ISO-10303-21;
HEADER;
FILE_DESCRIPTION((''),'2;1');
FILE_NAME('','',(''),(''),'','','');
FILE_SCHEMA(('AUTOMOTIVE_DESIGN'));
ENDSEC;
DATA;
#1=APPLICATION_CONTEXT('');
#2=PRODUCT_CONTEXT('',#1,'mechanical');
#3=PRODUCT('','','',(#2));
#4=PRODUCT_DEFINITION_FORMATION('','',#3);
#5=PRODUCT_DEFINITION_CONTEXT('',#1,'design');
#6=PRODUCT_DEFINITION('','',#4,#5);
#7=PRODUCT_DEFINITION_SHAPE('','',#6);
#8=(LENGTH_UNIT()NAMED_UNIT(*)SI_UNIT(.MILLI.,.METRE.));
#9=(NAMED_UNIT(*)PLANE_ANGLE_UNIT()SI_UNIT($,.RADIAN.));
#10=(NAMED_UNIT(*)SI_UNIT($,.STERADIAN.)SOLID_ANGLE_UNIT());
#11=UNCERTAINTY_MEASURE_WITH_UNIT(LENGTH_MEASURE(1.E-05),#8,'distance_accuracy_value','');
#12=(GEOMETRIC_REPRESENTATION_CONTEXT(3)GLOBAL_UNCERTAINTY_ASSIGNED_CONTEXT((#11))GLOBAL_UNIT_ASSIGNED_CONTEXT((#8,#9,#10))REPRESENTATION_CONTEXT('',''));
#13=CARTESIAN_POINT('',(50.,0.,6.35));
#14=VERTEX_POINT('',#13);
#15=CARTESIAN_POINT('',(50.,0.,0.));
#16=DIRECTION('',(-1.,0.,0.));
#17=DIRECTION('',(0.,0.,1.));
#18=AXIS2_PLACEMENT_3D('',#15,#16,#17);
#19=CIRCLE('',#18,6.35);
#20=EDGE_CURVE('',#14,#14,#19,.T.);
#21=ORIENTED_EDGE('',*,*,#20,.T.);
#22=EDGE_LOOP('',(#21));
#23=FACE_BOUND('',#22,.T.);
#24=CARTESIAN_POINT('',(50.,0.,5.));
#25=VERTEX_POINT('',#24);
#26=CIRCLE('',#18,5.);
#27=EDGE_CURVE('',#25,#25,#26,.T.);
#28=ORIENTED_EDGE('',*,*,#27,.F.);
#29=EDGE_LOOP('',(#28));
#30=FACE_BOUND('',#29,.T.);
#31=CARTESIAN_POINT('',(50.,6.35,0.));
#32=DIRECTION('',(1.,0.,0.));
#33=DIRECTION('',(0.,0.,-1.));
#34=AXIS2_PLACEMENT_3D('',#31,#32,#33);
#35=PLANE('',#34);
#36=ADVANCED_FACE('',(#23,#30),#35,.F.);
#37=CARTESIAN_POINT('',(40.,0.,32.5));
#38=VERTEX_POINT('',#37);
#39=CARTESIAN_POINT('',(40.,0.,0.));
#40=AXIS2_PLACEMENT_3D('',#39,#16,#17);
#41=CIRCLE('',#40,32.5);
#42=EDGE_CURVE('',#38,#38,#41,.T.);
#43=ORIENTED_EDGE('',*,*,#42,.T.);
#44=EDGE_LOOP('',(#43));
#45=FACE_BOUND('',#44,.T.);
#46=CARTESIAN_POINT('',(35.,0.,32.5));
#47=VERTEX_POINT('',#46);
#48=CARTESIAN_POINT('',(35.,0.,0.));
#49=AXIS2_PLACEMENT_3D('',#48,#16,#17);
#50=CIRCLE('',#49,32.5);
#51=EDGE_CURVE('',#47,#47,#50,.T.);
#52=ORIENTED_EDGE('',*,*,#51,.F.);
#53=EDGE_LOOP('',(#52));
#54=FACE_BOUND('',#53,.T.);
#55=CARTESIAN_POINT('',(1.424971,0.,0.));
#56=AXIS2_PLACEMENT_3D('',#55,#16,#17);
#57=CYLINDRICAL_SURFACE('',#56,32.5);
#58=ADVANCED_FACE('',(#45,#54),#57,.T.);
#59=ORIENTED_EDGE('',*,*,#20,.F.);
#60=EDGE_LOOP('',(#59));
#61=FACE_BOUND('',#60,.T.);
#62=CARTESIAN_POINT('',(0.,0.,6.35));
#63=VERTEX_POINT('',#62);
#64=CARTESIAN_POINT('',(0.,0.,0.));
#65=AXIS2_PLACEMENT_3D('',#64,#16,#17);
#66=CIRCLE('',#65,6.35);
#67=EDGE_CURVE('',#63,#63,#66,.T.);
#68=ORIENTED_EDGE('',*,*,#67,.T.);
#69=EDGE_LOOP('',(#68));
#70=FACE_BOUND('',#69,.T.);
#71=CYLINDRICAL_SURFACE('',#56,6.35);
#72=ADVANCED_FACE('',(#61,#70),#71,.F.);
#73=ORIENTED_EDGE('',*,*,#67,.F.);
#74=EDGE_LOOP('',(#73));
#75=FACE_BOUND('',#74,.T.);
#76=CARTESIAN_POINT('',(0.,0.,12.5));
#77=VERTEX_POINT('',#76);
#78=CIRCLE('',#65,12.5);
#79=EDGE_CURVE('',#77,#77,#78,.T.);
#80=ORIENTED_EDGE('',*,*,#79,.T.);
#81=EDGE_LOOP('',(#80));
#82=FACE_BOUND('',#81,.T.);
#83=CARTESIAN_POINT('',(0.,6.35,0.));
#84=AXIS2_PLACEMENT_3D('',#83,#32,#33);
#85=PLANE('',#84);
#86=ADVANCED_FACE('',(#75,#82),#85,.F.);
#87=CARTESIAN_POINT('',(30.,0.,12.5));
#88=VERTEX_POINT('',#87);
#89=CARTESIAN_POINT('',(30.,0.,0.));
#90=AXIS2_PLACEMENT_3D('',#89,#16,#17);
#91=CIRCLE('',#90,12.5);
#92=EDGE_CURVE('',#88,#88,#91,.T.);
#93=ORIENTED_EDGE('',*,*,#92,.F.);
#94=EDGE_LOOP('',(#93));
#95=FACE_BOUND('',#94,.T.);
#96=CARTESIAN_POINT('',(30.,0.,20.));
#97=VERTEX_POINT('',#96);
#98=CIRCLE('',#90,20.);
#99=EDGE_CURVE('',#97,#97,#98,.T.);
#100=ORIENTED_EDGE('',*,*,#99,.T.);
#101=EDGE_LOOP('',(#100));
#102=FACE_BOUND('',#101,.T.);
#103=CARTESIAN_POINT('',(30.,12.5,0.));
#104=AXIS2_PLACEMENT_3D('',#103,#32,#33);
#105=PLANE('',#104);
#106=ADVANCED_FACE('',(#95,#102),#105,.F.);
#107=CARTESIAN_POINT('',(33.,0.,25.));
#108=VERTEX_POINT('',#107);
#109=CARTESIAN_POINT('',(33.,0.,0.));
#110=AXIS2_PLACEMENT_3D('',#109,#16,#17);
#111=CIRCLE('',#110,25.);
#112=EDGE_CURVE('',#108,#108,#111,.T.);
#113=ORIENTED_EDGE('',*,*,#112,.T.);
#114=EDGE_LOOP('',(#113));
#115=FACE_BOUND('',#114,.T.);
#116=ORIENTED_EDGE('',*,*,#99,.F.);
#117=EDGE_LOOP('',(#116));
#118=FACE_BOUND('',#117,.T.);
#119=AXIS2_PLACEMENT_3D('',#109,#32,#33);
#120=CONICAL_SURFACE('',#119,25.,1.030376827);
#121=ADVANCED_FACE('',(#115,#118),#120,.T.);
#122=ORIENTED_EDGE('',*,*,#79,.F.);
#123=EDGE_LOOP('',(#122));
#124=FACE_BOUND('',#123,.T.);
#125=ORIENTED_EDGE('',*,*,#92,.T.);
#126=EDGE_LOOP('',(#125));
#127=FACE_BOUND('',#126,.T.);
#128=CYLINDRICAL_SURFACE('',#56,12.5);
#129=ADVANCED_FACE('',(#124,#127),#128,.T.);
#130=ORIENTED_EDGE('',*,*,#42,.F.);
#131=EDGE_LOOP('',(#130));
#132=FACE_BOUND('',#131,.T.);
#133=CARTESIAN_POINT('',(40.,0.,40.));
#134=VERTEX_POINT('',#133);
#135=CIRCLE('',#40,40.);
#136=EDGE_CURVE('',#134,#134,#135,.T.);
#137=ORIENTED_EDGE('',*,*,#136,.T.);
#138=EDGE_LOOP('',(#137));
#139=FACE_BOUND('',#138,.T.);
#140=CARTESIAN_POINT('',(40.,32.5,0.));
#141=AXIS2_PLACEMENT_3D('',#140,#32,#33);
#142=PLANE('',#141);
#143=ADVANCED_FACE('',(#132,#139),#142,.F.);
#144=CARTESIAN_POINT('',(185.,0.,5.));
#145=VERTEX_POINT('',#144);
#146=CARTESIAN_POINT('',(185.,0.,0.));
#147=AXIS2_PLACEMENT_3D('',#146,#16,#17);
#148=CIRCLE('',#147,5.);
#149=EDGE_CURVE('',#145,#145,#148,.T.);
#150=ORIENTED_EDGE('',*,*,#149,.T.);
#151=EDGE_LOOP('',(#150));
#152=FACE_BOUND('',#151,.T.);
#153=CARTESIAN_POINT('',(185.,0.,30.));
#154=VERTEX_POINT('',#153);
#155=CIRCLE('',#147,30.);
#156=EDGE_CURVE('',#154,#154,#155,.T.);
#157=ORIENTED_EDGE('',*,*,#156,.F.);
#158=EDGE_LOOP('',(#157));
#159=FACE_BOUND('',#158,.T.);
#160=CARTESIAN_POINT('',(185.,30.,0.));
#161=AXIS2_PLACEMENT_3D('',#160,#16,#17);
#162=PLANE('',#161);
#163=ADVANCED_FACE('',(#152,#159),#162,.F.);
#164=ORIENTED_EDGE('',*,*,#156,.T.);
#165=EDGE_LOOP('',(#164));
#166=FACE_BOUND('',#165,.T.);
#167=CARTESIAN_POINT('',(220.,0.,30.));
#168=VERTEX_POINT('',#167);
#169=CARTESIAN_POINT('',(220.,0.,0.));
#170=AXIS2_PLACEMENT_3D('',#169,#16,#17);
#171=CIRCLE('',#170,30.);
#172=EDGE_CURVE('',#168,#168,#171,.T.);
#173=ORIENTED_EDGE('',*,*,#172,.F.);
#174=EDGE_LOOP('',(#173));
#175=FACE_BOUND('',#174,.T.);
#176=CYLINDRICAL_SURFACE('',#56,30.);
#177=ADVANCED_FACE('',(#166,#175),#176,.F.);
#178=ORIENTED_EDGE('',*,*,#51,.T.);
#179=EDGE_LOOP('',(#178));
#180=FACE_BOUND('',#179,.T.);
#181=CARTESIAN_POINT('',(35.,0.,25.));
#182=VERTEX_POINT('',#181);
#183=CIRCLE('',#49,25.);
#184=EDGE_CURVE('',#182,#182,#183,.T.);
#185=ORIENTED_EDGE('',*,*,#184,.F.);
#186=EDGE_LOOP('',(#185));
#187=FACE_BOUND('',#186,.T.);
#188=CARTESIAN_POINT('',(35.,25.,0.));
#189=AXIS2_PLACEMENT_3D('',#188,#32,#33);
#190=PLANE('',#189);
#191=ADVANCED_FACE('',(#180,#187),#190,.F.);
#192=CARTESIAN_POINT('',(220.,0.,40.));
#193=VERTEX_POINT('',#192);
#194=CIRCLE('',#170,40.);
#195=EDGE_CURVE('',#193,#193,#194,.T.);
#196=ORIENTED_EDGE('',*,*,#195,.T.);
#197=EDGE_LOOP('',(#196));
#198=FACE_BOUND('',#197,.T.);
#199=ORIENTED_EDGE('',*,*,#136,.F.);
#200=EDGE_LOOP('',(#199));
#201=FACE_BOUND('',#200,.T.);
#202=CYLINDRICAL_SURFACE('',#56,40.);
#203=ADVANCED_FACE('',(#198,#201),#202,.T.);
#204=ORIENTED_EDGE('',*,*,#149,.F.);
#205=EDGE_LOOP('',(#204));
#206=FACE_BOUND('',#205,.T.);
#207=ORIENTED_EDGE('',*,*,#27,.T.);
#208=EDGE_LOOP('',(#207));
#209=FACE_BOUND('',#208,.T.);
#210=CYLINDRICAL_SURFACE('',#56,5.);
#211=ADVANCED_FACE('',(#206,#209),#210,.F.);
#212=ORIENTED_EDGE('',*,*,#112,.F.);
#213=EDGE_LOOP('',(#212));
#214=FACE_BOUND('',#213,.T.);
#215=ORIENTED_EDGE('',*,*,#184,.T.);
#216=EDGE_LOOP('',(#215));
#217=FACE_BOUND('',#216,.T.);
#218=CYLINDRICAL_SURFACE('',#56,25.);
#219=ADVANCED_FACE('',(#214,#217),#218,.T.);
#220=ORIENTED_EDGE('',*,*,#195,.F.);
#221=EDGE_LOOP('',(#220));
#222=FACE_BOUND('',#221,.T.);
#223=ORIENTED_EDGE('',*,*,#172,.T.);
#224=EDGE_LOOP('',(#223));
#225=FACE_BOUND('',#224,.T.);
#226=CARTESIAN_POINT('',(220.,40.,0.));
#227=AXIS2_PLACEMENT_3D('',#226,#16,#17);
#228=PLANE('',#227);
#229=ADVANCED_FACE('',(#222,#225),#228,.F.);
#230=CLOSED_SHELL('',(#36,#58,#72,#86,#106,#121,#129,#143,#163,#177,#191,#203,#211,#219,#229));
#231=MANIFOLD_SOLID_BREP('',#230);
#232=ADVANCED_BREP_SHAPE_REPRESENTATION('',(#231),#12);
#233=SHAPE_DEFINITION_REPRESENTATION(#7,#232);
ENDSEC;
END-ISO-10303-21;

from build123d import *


with BuildPart() as part:
    # Sketch1 → Revolve1 (revolve)
    with BuildSketch(Plane.XY):
        Polygon((0, 6.35), (0, 12.5), (30, 12.5), (30, 20), (33, 25), (35, 25), (35, 32.5), (40, 32.5), (40, 40), (220, 40), (220, 30), (185, 30), (185, 5), (50, 5), (50, 6.35), align=None)
    revolve(axis=Axis((1.424970928, 0, 0), (1, 0, 0)))


solid = part.part
